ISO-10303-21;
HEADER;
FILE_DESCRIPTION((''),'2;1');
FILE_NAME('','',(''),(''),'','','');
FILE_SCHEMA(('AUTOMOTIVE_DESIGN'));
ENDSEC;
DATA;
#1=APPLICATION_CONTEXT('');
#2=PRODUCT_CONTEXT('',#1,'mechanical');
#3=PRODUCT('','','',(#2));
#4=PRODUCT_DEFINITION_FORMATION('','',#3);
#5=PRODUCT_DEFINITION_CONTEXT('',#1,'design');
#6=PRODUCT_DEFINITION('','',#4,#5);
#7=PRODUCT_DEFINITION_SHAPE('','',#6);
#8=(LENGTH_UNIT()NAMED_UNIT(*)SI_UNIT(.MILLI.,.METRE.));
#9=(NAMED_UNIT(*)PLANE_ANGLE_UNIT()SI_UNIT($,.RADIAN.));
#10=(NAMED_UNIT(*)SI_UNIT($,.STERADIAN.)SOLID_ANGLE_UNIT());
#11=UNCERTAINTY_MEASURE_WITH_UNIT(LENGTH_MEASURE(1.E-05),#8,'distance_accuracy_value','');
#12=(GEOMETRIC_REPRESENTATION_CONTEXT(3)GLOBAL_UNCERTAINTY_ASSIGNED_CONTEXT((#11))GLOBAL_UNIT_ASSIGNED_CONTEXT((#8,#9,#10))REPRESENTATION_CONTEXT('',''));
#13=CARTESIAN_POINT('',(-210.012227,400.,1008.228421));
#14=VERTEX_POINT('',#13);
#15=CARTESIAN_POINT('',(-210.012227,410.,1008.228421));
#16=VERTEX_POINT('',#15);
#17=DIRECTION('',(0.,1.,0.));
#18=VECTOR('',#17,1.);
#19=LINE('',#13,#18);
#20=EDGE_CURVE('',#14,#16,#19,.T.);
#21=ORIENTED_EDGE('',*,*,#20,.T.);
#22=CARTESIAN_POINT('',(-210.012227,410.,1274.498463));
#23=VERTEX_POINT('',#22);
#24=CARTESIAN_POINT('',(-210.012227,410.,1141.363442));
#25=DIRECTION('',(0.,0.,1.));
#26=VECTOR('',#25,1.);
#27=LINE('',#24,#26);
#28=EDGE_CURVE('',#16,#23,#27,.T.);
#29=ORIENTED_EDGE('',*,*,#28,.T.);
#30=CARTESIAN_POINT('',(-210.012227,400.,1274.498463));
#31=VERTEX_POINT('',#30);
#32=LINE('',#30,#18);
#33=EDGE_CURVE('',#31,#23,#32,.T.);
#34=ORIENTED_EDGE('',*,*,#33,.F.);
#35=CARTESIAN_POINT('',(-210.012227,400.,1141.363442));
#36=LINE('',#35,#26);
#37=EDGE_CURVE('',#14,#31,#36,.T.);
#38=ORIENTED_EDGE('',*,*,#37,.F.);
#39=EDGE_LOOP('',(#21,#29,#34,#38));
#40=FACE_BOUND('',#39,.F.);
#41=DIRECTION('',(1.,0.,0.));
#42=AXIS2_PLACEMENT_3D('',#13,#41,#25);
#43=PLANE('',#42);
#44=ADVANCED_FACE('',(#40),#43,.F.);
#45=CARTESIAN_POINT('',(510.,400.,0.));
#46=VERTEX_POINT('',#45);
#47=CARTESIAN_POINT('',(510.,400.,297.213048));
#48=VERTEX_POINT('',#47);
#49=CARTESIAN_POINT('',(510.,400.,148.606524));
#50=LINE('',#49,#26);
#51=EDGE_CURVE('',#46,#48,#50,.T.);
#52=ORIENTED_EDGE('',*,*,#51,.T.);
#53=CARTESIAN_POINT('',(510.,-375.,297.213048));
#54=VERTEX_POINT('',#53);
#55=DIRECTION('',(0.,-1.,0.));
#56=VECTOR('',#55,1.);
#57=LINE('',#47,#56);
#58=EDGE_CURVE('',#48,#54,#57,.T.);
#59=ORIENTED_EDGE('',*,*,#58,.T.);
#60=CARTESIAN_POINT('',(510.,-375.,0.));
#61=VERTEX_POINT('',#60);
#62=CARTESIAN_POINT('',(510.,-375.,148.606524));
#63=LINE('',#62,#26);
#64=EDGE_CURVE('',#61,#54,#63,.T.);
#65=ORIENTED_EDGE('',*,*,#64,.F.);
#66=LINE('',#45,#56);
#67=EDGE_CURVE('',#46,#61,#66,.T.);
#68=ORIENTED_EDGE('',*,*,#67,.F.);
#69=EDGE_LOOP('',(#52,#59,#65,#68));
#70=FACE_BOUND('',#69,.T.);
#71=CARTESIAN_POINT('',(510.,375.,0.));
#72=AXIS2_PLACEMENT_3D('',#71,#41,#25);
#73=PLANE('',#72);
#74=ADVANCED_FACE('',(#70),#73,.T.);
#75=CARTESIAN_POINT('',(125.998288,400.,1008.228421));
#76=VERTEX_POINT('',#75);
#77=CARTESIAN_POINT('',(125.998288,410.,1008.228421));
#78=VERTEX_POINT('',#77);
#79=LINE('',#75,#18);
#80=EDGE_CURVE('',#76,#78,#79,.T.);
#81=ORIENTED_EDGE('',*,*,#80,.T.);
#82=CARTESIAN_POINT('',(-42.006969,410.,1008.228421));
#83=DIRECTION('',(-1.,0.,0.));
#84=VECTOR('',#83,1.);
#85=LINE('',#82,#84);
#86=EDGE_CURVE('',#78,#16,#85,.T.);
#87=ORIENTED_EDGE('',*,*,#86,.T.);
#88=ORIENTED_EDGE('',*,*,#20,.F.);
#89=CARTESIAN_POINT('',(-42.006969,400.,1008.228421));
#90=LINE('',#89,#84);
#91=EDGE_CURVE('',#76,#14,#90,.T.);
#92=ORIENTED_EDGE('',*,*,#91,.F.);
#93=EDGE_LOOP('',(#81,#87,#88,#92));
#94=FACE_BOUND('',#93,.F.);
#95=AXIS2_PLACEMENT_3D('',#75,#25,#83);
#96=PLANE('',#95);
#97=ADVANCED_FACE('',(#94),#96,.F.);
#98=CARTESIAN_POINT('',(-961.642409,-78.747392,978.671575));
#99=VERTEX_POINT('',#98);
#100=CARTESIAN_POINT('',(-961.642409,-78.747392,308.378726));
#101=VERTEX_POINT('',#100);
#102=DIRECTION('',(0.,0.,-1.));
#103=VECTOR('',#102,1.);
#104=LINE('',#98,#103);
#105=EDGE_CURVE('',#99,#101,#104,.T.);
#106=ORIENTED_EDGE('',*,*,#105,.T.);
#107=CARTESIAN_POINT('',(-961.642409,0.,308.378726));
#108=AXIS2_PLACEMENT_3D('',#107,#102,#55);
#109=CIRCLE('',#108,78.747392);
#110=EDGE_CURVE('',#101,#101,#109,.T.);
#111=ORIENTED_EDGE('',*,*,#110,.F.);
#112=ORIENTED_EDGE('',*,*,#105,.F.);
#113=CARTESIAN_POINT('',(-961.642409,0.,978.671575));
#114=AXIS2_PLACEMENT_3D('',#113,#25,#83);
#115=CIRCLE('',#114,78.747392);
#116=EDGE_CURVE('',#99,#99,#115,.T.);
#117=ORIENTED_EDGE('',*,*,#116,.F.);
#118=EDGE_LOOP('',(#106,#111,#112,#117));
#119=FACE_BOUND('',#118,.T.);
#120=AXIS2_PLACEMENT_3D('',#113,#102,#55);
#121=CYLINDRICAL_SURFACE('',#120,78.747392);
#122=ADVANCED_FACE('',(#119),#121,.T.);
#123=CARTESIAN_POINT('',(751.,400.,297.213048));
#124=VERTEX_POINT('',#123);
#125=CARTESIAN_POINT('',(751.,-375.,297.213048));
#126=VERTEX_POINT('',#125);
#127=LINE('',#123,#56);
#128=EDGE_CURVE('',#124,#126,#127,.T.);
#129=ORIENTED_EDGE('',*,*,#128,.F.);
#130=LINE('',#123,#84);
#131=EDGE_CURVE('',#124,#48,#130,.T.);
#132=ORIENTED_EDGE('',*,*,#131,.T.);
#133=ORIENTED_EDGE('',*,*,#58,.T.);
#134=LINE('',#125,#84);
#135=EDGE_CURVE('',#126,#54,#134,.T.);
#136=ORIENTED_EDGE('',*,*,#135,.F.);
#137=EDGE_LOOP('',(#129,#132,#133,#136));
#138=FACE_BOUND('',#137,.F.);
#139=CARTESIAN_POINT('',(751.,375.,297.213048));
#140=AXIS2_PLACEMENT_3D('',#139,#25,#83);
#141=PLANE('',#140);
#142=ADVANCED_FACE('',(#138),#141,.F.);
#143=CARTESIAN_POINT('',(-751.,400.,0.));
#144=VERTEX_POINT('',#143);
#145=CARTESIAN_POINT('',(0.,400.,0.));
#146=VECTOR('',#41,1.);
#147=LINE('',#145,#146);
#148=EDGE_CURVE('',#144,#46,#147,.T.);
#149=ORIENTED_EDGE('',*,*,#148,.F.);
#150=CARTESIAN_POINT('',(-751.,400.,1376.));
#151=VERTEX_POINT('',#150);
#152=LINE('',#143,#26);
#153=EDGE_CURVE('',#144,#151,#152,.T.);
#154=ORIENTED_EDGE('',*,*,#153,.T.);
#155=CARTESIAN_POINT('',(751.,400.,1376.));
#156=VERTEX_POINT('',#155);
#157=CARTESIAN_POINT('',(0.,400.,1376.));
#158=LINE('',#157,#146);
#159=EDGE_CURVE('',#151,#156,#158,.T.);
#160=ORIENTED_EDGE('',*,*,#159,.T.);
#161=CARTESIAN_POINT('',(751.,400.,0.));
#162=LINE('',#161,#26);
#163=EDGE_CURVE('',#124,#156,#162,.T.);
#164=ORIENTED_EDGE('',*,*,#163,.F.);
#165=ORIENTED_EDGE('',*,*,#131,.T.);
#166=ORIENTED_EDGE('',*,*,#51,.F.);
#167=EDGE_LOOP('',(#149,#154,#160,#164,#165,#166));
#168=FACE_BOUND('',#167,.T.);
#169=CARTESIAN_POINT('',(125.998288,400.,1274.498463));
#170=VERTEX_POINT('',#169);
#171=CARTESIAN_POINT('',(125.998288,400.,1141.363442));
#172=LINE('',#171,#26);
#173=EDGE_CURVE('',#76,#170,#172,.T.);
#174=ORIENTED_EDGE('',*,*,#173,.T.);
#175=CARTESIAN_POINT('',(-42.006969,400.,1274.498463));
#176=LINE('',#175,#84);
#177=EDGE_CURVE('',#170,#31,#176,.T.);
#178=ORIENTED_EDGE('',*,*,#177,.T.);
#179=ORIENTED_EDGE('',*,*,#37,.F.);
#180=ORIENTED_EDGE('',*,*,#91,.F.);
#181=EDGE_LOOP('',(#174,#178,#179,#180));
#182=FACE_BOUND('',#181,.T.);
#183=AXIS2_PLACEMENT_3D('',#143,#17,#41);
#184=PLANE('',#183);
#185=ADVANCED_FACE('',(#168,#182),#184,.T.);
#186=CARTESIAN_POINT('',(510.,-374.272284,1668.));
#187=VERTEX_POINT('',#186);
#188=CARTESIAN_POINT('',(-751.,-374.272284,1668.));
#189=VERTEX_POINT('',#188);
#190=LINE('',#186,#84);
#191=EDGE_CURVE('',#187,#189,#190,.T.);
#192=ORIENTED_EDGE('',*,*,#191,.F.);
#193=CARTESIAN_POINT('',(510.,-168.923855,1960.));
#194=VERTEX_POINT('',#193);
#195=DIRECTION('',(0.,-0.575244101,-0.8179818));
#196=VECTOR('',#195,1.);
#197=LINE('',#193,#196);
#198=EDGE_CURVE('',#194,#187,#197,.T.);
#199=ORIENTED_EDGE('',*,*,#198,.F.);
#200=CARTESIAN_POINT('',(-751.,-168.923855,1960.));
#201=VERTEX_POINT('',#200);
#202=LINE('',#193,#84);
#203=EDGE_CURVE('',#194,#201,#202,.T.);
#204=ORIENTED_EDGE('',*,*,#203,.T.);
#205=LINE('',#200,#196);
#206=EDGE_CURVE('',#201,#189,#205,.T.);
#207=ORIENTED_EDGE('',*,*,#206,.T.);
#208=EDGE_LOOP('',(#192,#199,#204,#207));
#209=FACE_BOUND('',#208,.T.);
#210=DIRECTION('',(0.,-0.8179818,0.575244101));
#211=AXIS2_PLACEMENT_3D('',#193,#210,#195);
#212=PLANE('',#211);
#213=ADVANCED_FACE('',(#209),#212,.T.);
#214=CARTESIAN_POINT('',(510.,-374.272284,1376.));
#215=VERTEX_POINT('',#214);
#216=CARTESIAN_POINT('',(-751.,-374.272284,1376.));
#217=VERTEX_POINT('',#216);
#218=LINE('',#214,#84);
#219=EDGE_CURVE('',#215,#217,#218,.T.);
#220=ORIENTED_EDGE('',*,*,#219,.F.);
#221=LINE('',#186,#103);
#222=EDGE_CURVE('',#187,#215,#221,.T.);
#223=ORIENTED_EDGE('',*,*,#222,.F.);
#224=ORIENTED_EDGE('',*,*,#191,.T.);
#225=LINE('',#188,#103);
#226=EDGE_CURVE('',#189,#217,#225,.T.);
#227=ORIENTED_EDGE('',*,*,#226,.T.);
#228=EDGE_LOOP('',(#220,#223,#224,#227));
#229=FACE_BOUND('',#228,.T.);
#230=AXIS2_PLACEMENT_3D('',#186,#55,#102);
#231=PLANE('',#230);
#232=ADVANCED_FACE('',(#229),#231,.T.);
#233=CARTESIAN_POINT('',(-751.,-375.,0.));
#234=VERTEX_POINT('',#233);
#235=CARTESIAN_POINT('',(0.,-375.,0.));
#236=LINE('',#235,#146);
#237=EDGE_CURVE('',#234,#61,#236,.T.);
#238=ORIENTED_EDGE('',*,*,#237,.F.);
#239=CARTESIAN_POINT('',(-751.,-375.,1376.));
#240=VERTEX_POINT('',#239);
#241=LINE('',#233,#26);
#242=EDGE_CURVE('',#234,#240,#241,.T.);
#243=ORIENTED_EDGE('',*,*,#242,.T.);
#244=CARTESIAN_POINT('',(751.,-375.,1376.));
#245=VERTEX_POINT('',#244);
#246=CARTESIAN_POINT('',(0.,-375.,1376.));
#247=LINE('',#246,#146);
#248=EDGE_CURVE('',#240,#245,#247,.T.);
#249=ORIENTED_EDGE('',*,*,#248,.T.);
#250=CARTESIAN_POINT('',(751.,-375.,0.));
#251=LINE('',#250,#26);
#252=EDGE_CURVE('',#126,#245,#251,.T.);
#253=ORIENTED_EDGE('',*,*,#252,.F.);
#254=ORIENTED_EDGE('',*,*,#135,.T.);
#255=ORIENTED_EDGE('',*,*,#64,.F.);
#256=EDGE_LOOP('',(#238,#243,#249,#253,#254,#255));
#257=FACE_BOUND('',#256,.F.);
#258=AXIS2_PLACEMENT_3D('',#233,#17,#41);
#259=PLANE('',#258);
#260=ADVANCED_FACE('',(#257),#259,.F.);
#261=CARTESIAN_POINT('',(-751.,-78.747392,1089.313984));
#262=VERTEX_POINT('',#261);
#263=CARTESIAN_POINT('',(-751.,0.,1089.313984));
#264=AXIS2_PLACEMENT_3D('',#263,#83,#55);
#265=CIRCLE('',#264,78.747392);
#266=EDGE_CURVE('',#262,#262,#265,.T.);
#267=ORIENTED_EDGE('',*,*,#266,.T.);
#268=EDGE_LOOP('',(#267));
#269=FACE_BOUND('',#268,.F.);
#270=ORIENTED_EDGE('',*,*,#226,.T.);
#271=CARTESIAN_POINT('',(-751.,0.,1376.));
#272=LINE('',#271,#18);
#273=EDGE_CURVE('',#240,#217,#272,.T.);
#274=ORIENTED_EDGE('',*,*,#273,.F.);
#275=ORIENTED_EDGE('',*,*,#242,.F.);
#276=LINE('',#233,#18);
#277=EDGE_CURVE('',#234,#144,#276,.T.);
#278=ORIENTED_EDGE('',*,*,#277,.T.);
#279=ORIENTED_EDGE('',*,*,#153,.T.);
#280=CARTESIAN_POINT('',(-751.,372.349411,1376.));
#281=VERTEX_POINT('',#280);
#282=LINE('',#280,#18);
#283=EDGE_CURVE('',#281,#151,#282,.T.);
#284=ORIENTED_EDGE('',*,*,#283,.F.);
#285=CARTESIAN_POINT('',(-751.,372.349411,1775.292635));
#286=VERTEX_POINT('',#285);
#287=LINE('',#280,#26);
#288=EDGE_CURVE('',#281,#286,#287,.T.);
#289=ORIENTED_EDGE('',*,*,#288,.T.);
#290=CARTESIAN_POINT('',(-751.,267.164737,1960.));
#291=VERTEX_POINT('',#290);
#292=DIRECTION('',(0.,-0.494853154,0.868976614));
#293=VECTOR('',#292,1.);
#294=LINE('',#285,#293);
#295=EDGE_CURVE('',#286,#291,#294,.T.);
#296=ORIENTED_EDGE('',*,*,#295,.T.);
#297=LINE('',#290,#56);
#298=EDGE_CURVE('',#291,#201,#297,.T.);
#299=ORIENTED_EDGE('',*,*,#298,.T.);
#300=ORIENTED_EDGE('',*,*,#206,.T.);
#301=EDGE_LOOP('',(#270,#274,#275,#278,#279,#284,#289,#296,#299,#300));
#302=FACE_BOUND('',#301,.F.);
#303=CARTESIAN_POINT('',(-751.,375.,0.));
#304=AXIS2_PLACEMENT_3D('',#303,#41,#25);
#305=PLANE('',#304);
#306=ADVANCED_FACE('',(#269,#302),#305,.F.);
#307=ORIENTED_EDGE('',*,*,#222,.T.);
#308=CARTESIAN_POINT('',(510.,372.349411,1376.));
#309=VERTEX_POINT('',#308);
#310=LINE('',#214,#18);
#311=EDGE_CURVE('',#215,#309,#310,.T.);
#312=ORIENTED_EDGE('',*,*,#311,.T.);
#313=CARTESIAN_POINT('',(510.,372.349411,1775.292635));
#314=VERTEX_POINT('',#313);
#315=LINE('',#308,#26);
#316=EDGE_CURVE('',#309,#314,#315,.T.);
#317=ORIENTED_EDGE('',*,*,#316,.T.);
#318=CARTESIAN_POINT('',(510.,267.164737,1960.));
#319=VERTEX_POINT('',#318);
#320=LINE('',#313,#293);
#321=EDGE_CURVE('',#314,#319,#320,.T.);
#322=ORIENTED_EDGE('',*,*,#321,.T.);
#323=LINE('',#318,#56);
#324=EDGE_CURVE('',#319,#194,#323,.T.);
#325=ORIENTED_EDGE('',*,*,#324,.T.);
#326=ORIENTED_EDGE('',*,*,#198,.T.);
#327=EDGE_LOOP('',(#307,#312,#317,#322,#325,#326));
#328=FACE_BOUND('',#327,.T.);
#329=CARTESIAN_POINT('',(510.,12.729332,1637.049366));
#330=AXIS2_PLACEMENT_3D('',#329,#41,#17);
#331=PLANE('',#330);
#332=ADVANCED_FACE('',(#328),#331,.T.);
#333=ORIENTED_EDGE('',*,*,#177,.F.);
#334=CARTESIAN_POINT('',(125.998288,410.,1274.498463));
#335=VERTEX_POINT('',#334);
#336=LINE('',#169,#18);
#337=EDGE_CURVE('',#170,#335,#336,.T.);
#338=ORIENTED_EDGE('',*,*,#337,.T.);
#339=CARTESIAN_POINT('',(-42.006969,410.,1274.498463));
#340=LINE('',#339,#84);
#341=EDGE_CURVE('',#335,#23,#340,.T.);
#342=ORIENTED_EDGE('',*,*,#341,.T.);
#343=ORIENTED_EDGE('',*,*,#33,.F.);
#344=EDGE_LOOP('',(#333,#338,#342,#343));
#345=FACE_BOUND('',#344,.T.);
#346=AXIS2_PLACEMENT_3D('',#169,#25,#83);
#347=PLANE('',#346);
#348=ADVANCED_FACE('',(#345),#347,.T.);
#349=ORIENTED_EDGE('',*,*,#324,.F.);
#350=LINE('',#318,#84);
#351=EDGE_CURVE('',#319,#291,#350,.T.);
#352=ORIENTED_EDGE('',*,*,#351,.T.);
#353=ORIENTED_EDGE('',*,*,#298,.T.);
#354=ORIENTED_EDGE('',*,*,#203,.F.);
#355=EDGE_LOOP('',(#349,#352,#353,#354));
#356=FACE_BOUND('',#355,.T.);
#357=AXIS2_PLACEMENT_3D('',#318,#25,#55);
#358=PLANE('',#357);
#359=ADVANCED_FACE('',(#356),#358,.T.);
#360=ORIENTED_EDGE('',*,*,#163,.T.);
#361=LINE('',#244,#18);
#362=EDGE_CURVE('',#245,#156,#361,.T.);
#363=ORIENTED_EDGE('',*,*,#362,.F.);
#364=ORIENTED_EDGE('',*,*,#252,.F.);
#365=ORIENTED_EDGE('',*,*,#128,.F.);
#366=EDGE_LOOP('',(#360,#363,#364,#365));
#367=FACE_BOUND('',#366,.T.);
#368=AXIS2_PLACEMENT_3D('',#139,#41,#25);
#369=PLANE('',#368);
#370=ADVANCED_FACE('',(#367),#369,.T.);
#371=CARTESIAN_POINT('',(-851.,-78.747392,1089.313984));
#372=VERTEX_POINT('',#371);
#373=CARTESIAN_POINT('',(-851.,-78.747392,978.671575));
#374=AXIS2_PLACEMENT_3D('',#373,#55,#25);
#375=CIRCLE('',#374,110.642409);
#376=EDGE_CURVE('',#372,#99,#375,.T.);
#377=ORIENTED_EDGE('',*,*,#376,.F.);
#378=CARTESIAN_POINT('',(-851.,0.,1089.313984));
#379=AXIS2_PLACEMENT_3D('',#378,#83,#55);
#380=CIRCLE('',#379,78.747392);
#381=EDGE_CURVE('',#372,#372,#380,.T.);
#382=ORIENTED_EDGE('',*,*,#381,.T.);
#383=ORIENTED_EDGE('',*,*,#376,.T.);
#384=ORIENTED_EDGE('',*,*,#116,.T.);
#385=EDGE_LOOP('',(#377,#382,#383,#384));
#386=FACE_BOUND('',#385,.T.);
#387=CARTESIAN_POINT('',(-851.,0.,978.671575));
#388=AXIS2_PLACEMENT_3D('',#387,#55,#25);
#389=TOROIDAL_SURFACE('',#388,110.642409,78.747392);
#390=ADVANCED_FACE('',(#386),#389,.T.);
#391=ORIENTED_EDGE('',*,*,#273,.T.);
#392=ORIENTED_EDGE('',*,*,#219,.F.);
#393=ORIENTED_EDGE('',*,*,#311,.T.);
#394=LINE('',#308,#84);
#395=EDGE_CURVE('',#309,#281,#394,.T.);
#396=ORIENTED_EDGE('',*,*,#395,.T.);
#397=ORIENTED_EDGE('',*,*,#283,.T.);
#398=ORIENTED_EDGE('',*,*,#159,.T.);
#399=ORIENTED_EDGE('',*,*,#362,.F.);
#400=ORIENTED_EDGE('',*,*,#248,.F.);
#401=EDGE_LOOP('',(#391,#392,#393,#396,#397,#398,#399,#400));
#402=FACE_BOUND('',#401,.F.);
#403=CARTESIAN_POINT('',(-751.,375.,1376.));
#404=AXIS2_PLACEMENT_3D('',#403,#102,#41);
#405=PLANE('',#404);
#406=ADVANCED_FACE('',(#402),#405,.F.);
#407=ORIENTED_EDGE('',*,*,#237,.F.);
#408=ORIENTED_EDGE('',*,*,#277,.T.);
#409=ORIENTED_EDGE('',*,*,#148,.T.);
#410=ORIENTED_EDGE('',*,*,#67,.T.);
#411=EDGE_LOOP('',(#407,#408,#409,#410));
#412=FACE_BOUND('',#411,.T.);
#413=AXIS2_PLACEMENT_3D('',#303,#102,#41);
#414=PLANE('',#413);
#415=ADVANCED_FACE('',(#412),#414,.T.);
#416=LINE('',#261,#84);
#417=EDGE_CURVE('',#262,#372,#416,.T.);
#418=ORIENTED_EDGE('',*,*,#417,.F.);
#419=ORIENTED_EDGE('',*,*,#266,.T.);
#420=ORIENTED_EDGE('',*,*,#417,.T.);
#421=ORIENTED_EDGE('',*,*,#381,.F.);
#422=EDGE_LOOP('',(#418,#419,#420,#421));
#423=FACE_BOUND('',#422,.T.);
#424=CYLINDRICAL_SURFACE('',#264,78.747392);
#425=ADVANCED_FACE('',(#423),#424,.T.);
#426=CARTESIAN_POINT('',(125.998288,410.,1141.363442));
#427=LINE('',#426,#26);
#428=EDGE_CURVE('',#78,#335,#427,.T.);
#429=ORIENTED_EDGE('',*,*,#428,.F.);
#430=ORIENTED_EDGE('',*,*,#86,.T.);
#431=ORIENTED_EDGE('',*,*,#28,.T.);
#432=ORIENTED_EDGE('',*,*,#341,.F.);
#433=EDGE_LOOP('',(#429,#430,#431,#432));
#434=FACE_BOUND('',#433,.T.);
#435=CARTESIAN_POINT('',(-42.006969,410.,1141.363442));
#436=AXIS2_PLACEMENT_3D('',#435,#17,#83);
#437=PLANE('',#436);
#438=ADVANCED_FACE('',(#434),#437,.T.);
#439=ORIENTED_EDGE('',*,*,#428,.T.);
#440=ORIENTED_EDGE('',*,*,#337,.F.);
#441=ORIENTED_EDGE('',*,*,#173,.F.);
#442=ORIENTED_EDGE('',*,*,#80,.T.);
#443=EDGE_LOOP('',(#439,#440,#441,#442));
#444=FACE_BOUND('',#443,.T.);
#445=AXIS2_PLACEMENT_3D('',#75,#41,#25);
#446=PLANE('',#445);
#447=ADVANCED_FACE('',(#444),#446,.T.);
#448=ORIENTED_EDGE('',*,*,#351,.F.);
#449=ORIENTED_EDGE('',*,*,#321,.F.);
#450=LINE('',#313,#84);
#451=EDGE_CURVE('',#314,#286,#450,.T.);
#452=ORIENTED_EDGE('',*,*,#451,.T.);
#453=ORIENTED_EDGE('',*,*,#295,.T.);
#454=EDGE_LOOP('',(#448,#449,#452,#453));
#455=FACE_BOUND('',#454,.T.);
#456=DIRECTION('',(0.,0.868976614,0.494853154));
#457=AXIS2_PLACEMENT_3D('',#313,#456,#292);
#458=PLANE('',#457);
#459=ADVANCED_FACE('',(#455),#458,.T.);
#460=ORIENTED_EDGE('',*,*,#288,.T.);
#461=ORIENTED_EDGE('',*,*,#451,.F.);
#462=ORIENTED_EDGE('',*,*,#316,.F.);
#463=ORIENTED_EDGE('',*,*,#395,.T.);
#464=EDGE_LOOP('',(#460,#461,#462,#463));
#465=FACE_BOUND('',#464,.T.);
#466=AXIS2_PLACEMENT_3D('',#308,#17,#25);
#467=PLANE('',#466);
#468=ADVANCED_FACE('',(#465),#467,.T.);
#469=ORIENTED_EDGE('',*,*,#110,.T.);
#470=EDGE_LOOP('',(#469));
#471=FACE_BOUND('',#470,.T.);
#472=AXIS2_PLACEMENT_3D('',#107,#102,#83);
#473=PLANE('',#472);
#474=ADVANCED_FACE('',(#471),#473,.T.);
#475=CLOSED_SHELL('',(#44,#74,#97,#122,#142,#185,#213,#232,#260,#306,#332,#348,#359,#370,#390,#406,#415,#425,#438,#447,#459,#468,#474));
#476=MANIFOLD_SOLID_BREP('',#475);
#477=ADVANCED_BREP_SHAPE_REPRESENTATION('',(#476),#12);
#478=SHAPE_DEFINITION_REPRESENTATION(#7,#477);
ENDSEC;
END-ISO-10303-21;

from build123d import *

# Parameters (mm, degrees)
F0_W      = 1502
F0_H      = 750
F1_DEPTH  = 1376
F3_R      = 78.7473915707
F5_W      = 750
F5_H      = 297.2130477428
F6_DEPTH  = 241
F8_DEPTH  = 1261
F9_DEPTH  = 25
F10_W     = 336.0105156898
F10_H     = 266.2700414658
F11_DEPTH = 10


with BuildPart() as f1:
    # F0 (on Top) → F1 (new body)
    with BuildSketch(Plane.XY):
        Rectangle(F0_W, F0_H)
    extrude(amount=F1_DEPTH)

    # F4: sweep along a path in F2
    with BuildLine(Plane.XZ) as f4_path:
        Line((-751, 1078.6715745926), (-851, 1078.6715745926))
        ThreePointArc((-851, 1078.6715745926), (-921.7106781187, 1049.3822527112), (-951, 978.6715745926))
        Line((-951, 978.6715745926), (-951, 308.378726244))
    # F3 (on face) → F4 (sweep)
    with BuildSketch(Plane(origin=(-751, 0, 0), x_dir=(0, -1, 0), z_dir=(-1, 0, 0))):
        with Locations((0, 1089.3139839172)):
            Circle(F3_R)
    sweep(path=f4_path.line)

    # F5 (on face) → F6 (cut)
    with BuildSketch(Plane.YZ.offset(751)):
        with Locations((0, 148.6065238714)):
            Rectangle(F5_W, F5_H)
    extrude(amount=-F6_DEPTH, mode=Mode.SUBTRACT)

    # F7 (on face) → F8 (join, through all)
    with BuildSketch(Plane.YZ.offset(510)):
        Polygon((-374.2722838136, 1668), (-374.2722838136, 1376), (372.3494112492, 1376), (372.3494112492, 1775.292634964), (267.1647369862, 1960), (-168.9238548279, 1960), align=None)
    extrude(amount=-F8_DEPTH)

    # F9 (add): a face of the model
    f9_faces = [f1.faces().sort_by_distance(p)[0] for p in [
        (-22.6360261364, 375, 707.3651464289),
    ]]
    extrude(f9_faces, amount=F9_DEPTH)

    # F10 (on face) → F11 (join)
    with BuildSketch(Plane(origin=(0, 400, 0), x_dir=(-1, 0, 0), z_dir=(0, 1, 0))):
        with Locations((42.0069694519, 1141.3634419441)):
            Rectangle(F10_W, F10_H)
    extrude(amount=F11_DEPTH)


solid = f1.part
